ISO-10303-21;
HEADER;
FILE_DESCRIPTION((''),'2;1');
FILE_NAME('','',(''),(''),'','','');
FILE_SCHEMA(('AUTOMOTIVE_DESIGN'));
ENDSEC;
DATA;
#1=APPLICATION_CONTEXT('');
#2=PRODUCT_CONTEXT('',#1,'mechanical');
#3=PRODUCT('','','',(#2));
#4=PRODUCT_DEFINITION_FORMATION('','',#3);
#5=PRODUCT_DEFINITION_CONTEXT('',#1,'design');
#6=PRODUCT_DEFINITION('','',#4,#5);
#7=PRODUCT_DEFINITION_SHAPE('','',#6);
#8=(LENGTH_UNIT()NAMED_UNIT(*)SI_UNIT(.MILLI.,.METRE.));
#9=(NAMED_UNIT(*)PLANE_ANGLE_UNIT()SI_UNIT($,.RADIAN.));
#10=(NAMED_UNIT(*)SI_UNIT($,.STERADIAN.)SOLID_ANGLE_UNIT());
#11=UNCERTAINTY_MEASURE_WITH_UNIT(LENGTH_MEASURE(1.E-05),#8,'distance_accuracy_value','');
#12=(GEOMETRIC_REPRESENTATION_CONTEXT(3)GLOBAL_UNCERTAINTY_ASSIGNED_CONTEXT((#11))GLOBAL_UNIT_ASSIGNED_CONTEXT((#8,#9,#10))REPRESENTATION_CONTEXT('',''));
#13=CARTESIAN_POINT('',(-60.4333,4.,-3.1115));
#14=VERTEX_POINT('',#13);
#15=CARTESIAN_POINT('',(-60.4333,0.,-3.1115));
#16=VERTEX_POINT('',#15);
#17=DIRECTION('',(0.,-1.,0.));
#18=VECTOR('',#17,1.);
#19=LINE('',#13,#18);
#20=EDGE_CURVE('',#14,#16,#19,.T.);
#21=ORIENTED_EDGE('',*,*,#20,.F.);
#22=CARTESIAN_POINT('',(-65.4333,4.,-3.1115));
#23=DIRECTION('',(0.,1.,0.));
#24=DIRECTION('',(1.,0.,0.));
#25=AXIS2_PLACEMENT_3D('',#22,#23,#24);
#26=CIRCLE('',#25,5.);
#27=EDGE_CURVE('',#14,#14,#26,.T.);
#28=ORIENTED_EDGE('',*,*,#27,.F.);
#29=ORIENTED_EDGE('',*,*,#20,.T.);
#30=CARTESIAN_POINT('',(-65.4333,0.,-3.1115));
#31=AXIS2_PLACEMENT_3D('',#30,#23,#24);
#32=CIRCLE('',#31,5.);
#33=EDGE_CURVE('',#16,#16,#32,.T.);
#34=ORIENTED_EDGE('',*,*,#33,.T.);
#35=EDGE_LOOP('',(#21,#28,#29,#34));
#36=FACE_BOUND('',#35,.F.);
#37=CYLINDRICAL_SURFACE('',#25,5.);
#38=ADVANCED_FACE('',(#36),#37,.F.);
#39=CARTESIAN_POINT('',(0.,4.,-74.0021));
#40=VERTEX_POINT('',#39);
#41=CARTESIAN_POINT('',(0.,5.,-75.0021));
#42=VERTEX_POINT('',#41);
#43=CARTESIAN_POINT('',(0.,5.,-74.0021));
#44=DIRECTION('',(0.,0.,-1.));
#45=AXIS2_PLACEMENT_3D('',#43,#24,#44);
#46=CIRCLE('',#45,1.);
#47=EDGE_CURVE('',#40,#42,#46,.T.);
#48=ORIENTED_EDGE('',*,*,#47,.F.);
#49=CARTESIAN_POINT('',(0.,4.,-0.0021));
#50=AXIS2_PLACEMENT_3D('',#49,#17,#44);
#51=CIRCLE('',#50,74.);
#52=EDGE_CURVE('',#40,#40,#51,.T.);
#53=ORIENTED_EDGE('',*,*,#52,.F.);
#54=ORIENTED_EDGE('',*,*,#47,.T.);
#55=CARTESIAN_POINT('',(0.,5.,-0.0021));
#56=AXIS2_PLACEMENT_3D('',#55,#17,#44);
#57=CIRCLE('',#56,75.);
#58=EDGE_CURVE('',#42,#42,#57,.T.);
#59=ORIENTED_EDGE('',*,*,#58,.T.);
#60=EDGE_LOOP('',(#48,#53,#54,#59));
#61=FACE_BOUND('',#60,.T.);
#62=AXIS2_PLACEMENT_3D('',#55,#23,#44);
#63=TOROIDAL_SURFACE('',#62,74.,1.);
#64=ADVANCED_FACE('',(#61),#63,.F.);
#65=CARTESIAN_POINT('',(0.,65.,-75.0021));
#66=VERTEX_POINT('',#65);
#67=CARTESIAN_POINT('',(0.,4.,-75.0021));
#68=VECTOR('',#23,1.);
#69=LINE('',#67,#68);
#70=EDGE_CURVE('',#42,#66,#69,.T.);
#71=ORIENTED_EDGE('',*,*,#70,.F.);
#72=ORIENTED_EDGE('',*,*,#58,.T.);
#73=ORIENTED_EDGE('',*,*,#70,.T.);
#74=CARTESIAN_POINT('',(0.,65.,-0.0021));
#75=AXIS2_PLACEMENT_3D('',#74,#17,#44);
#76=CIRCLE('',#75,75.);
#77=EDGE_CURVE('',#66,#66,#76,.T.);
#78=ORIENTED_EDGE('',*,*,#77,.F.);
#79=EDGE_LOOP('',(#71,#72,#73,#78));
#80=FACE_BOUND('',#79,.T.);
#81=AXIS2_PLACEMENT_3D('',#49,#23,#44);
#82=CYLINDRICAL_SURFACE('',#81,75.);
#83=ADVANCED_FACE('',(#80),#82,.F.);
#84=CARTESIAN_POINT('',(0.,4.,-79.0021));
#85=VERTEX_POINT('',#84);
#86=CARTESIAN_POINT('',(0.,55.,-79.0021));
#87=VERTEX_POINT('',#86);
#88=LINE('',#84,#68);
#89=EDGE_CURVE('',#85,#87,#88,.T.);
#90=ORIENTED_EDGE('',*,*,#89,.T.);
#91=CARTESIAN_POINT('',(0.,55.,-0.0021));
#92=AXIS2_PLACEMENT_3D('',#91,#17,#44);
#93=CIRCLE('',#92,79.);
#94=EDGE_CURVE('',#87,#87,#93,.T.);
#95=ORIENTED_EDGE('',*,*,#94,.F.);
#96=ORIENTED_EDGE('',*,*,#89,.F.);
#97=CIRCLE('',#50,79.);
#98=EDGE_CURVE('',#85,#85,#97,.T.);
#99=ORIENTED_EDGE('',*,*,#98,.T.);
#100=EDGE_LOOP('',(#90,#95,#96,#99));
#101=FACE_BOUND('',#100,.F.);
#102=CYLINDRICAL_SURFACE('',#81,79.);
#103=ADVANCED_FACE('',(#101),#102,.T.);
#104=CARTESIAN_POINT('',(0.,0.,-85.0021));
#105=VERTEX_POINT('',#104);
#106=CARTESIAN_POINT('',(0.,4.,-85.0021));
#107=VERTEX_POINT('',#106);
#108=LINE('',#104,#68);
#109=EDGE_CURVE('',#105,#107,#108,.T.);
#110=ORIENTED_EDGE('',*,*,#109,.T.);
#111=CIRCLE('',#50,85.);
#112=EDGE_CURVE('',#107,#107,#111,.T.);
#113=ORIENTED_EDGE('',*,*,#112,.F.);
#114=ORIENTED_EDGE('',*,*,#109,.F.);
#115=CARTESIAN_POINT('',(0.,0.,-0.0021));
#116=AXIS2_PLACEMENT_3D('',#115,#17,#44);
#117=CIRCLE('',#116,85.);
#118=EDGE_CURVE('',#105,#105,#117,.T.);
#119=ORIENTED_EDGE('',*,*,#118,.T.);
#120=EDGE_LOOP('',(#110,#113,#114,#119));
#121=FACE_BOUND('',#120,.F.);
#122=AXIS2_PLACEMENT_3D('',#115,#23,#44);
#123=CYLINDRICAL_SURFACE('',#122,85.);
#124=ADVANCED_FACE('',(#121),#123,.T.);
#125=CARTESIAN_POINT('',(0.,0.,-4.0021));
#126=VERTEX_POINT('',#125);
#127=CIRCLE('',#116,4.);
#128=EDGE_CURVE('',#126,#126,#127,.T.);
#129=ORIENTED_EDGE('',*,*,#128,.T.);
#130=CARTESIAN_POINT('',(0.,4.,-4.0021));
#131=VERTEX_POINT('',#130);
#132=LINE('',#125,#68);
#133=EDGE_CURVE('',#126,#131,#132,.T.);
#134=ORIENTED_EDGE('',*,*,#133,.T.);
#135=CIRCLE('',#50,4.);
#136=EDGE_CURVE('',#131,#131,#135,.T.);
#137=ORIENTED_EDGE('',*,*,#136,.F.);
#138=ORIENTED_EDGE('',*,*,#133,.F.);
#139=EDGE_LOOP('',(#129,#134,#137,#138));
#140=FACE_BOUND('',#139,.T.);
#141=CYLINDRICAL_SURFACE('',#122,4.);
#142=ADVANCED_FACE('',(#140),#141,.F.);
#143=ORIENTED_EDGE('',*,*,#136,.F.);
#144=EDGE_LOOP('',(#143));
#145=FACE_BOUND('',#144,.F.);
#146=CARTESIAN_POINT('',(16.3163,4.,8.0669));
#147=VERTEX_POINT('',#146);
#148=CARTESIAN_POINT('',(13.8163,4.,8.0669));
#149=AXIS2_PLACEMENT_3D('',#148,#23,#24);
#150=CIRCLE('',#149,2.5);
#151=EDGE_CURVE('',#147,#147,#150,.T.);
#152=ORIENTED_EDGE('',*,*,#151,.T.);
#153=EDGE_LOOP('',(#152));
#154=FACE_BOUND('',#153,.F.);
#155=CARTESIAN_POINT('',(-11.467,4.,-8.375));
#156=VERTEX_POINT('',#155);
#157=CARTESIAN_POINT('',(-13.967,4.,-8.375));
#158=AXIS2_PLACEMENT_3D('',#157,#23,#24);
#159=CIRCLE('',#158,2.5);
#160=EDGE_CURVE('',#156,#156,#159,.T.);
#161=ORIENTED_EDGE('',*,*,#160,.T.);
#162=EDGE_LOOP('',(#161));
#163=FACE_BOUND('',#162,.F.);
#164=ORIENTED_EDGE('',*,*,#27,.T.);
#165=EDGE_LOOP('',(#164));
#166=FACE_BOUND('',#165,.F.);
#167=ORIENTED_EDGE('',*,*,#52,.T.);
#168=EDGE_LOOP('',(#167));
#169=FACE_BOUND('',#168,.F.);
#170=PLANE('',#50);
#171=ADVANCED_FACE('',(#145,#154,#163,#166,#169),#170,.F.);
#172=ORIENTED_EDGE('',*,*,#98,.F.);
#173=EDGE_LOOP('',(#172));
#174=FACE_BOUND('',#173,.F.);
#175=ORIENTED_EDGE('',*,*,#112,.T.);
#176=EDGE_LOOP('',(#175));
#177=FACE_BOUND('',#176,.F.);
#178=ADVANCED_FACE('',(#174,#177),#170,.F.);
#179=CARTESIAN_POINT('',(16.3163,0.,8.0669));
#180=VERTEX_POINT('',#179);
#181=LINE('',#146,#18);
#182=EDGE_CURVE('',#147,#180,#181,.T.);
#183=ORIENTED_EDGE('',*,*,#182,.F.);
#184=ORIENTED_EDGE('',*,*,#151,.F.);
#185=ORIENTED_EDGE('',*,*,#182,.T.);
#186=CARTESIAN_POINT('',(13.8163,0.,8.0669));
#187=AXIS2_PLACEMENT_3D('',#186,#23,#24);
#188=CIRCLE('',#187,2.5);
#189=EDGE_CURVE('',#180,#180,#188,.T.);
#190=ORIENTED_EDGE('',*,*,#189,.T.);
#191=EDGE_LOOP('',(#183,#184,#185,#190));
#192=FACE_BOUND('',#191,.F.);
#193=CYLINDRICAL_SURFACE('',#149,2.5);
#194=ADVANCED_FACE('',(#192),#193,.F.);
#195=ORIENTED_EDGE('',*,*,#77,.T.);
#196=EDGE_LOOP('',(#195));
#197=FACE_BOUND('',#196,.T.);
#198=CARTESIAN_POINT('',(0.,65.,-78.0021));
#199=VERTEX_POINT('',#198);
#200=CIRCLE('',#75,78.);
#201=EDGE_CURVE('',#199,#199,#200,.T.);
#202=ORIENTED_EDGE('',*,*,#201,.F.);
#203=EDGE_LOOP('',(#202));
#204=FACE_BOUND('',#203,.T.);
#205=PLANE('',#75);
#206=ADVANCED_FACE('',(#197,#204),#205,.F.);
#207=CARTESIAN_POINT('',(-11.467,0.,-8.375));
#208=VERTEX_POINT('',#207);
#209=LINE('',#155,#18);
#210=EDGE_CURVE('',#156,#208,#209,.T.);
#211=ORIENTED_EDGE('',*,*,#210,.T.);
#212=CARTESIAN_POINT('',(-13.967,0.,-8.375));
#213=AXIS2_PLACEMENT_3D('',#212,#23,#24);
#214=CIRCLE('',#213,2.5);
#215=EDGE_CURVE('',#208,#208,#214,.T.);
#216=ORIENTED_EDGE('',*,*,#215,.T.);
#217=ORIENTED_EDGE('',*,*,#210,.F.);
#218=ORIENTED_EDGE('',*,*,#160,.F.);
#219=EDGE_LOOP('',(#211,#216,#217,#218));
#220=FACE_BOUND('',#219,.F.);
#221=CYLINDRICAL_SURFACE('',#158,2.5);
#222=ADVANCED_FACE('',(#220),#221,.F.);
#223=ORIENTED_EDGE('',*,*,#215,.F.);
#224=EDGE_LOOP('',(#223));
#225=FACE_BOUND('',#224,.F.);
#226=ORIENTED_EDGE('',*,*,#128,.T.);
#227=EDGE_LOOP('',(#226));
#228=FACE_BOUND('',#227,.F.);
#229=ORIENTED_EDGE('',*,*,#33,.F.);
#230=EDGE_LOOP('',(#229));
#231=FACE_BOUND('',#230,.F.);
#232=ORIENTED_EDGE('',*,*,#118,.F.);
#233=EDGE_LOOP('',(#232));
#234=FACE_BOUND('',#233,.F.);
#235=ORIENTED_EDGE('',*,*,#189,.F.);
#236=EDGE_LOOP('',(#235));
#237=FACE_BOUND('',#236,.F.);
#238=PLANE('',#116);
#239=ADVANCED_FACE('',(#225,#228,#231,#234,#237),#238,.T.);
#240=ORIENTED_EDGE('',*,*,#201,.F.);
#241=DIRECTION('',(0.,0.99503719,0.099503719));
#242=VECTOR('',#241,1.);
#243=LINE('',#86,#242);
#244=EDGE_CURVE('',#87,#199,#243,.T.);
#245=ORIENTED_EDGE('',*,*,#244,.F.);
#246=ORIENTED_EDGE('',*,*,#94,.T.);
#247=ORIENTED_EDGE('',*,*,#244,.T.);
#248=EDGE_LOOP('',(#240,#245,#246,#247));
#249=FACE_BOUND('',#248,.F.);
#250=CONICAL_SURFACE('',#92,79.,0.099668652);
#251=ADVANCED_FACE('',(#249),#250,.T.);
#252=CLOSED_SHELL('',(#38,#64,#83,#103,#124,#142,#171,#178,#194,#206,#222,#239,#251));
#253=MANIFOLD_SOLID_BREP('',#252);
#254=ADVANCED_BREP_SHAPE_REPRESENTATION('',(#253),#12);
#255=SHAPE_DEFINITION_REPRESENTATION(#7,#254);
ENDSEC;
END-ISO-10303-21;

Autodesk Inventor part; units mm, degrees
ref_plane "YZ Plane" through (0, 0, 0) normal (1, 0, 0) x (0, 1, 0)
ref_plane "XZ Plane" through (0, 0, 0) normal (0, 1, 0) x (-1, 0, 0)
ref_plane "XY Plane" through (0, 0, 0) normal (0, 0, 1) x (1, 0, 0)
sketch "Эскиз2" plane through (0, 0, 0) normal (1, 0, 0) x (0, 1, 0)
  line L0 (0, 16.9979) -> (0, -102.0021) projected
  line L1 (18.2354, -0.0021) -> (-21.7975, -0.0021) construction
  line L2 (0, -85.0021) -> (4, -85.0021)
  line L3 (4, -85.0021) -> (4, -79.0021)
  line L4 (4, -75.0021) -> (65, -75.0021)
  line L5 (65, -75.0021) -> (65, -78.0021)
  line L6 (65, -79.0021) -> (65, -75.0021) construction
  line L7 (4, -79.0021) -> (55, -79.0021)
  line L8 (55, -79.0021) -> (65, -78.0021)
  line L9 (4, -75.0021) -> (4, -4.0021)
  line L10 (0, -85.0021) -> (0, -4.0021)
  line L11 (0, -4.0021) -> (4, -4.0021)
  point P0 (0, -0.0021)
  point P1 (4, -0.0021)
  dimension "d1" = 4
  dimension "d2" = 6
  dimension "d3" = 61
  dimension "d6" = 3
  dimension "d7" = 51
  dimension "d8" = 4
revolve "Вращение1" add sketch "Эскиз2" angle 360 about axis through (0, 18.2354, -0.0021) along (0, -1, 0)
fillet "Сопряжение1" radius 1 1 edges at (0, 4, 74.9979)
sketch "Эскиз3" plane through (0, 4, -0.0021) normal (0, 1, 0) x (1, 0, 0)
  ellipse E0 centre (-13.967, 8.3729) end of major axis (-13.9806, 5.1229) minor radius 3.25 construction
  circle A0 centre (13.8163, -8.069) radius 3.25 construction
  circle A1 centre (13.8163, -8.069) radius 2.5 projected
  circle A2 centre (-13.967, 8.3729) radius 2.5 projected
  arc A3 (-64.2334, 5.859) -> (-62.6955, 4.3359) centre (-65.4333, 3.1094) ccw projected
  circle A4 centre (-65.4333, 3.1094) radius 5
  point P0 (0, -0.0021)
  dimension "d14" = 10
extrude "Выдавливание1" cut sketch "Эскиз3" against normal blind 10
properties part number "Cap_pipes"
